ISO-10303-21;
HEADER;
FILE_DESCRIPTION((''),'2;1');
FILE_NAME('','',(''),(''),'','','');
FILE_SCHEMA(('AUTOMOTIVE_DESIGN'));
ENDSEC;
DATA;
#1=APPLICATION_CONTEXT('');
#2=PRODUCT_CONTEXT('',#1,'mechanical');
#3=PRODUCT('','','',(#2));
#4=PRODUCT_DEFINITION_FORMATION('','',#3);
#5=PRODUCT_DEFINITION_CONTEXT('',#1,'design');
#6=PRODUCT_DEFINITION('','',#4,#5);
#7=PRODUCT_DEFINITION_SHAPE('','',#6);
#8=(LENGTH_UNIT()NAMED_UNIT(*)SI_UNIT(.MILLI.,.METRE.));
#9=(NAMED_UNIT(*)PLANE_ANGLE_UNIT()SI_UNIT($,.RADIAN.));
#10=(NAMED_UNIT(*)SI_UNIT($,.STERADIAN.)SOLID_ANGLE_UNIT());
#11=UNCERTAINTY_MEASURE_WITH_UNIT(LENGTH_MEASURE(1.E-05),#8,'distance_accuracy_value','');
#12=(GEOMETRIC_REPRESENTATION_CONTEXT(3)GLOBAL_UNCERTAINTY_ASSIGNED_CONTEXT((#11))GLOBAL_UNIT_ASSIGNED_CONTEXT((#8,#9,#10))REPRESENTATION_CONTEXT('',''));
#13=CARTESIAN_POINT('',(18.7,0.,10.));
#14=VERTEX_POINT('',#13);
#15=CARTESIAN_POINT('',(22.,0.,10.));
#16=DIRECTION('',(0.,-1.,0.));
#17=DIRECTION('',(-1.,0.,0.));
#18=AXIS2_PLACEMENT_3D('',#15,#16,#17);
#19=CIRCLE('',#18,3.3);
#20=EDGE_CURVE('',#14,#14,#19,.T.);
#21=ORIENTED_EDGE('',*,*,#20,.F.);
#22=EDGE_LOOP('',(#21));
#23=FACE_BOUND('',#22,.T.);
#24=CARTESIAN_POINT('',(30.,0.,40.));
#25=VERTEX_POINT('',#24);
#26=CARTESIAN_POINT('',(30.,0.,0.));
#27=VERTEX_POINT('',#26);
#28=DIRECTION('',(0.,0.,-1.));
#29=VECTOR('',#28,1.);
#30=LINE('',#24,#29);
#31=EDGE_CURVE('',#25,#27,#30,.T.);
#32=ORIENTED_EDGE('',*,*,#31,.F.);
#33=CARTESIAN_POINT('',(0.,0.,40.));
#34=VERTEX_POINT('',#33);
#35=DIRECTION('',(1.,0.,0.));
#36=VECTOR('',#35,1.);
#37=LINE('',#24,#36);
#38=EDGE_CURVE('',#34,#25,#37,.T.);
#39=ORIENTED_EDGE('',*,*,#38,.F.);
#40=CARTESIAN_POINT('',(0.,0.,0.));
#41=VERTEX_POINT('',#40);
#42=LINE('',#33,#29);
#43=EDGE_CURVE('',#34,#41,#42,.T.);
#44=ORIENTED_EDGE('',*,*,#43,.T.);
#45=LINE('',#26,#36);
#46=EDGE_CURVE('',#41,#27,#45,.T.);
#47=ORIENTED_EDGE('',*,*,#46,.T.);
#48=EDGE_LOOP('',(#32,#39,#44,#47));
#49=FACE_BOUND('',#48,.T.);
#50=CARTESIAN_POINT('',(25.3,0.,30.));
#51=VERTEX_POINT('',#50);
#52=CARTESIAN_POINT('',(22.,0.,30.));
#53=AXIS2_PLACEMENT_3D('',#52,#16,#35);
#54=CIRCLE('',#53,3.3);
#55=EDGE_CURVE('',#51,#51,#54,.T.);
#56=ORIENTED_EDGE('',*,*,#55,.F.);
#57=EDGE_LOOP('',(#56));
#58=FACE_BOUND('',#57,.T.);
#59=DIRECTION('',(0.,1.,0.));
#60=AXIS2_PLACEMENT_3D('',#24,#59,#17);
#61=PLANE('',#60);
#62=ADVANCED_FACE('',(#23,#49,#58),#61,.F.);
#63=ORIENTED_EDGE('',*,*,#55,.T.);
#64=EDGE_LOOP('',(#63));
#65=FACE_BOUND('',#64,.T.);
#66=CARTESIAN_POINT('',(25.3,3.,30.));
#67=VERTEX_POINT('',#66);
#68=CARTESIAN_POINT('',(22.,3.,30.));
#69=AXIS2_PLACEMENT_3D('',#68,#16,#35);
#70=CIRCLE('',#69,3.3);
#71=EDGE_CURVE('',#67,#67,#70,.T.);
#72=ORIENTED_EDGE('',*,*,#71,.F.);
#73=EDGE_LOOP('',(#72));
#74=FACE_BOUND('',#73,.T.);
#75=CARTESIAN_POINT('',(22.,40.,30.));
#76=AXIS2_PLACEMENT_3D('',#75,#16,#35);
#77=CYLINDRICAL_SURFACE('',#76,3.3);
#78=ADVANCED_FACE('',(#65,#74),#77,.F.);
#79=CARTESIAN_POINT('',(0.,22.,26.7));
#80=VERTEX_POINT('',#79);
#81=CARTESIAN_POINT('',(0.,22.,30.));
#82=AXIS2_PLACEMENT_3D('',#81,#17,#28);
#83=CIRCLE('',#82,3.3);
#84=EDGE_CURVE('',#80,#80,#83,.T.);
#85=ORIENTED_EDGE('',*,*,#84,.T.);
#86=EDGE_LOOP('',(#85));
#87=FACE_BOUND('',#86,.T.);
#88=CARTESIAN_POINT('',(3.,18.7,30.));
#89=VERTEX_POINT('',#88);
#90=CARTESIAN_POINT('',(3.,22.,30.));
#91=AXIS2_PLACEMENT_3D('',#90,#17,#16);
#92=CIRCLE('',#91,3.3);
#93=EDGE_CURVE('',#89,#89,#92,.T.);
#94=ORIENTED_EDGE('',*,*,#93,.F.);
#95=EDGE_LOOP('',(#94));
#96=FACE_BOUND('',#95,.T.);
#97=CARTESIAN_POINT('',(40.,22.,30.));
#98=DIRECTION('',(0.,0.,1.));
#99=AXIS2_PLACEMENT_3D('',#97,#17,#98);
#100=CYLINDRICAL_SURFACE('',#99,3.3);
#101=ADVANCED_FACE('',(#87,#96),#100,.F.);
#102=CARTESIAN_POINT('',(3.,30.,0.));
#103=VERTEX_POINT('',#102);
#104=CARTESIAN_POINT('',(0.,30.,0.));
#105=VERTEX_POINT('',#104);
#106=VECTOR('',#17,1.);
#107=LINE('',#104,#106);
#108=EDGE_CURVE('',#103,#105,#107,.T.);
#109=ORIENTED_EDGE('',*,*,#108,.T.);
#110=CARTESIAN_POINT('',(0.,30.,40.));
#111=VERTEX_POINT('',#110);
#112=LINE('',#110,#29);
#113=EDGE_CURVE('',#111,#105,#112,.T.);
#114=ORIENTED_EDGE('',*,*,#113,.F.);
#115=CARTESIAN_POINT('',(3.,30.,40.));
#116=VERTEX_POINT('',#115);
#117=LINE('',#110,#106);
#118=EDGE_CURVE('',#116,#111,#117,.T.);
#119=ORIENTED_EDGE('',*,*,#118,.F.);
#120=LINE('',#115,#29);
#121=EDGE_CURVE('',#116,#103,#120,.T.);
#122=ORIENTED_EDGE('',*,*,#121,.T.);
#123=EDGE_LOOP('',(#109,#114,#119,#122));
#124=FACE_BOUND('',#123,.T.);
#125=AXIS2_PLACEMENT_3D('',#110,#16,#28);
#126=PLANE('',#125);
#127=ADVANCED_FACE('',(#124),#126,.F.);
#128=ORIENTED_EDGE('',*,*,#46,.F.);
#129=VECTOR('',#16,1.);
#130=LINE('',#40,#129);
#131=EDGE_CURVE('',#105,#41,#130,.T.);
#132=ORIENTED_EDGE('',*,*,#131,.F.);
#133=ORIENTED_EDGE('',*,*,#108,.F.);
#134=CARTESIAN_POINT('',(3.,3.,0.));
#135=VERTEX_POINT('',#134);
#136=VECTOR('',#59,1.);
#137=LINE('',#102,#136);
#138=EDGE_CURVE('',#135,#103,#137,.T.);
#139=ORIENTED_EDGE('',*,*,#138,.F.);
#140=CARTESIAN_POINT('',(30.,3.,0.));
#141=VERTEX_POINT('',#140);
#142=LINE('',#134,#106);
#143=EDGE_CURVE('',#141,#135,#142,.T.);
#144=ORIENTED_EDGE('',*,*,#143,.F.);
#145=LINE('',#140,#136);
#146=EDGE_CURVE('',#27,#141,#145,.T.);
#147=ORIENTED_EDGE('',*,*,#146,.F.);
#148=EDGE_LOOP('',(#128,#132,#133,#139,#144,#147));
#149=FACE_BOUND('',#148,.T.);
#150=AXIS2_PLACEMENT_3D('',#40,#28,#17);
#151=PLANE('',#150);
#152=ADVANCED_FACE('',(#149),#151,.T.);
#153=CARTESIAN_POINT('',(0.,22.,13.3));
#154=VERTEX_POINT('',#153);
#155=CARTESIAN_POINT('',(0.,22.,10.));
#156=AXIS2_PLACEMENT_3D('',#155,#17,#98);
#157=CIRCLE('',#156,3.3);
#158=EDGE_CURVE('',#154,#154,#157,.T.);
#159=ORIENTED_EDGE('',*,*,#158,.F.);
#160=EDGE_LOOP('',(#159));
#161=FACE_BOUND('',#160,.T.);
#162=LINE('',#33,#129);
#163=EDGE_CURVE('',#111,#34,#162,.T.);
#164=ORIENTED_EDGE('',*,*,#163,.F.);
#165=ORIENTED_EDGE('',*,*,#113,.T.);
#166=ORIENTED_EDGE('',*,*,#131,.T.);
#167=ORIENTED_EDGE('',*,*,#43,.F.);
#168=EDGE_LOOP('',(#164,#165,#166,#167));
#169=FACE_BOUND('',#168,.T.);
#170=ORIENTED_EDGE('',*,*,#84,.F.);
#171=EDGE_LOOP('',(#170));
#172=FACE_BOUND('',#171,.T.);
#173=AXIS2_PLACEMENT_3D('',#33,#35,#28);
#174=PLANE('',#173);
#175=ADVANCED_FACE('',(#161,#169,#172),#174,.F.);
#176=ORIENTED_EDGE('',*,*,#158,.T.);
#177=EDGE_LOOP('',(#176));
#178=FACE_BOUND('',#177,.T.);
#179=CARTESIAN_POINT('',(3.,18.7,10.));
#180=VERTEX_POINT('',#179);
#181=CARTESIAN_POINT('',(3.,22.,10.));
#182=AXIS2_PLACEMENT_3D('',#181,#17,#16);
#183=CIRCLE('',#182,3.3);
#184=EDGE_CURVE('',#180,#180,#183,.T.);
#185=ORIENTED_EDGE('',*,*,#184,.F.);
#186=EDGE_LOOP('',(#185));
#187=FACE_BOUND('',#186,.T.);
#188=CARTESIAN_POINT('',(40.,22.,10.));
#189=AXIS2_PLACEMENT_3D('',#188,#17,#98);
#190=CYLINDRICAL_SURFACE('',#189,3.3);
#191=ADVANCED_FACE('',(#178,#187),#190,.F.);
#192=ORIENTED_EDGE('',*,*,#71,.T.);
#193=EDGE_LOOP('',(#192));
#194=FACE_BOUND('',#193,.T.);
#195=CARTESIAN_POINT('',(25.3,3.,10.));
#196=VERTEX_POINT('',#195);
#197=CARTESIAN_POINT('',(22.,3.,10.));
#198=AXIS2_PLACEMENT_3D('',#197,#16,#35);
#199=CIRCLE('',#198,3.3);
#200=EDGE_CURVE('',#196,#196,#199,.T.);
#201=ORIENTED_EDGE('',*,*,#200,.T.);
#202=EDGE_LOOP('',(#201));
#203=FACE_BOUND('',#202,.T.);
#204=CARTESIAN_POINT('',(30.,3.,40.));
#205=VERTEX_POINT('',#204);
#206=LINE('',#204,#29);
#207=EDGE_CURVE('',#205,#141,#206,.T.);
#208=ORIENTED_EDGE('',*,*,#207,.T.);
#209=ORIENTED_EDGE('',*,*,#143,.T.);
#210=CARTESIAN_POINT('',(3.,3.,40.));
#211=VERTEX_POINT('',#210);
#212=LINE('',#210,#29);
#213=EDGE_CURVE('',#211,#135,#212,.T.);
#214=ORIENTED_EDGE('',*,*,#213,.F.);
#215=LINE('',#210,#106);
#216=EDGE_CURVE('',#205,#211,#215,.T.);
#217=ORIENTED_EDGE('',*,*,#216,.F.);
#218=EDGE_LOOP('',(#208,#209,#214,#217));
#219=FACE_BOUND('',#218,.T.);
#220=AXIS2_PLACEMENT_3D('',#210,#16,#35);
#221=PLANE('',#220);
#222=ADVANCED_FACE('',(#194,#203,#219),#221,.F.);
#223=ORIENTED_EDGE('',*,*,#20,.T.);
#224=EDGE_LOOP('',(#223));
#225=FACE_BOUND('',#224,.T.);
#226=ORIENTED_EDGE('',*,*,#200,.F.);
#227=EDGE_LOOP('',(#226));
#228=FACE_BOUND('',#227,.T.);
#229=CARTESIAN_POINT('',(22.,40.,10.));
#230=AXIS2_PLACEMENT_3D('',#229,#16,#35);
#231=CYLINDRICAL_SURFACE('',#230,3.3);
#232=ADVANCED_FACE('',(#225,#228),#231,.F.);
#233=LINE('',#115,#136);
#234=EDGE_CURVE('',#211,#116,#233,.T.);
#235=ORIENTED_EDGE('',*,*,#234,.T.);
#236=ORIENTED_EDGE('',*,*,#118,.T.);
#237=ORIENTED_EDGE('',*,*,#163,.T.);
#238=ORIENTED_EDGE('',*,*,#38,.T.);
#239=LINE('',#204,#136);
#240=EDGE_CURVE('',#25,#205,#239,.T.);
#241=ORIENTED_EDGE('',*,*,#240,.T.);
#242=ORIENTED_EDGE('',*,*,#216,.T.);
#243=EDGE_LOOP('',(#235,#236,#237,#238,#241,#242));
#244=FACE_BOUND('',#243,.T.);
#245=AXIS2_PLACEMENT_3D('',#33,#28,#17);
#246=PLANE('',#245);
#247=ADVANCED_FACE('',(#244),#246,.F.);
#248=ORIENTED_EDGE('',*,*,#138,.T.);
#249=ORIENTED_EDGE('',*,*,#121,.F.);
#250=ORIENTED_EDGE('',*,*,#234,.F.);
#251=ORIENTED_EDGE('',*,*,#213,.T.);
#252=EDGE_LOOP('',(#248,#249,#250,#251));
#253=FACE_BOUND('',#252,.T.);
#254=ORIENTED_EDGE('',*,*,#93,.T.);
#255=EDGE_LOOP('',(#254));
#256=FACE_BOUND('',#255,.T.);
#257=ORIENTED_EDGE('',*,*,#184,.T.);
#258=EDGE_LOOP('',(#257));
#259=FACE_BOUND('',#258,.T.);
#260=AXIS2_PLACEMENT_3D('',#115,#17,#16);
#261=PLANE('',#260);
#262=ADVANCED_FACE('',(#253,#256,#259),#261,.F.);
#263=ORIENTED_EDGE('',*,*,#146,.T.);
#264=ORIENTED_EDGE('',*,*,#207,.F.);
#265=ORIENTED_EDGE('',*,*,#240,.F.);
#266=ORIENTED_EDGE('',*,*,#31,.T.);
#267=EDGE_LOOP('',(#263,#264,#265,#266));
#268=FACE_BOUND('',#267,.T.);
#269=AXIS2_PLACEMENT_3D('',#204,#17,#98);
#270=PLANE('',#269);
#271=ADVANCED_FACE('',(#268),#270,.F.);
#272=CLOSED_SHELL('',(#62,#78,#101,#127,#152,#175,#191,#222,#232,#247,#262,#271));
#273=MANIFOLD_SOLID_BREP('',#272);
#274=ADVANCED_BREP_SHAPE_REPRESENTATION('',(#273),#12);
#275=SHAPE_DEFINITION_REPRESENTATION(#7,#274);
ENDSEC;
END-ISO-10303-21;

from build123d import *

# Parameters (mm, degrees)
EXTRUDE_1_DEPTH     = 40
SKETCH_2_R          = 3.3
CUT_EXTRUDE_1_DEPTH = 40
SKETCH_3_R          = 3.3
CUT_EXTRUDE_2_DEPTH = 40


with BuildPart() as part:
    # 草图1 → 凸台-拉伸1 (new body)
    with BuildSketch(Plane.XY):
        Polygon((0, 0), (0, 30), (3, 30), (3, 3), (30, 3), (30, 0), align=None)
    extrude(amount=EXTRUDE_1_DEPTH)

    # 草图2 → 切除-拉伸1 (cut)
    with BuildSketch(Plane.ZY):
        with Locations((10, 22)):
            Circle(SKETCH_2_R)
        with Locations((30, 22)):
            Circle(SKETCH_2_R)
    extrude(amount=-CUT_EXTRUDE_1_DEPTH, mode=Mode.SUBTRACT)

    # 草图3 → 切除-拉伸2 (cut)
    with BuildSketch(Plane.XZ):
        with Locations((22, 30)):
            Circle(SKETCH_3_R)
        with Locations((22, 10)):
            Circle(SKETCH_3_R)
    extrude(amount=-CUT_EXTRUDE_2_DEPTH, mode=Mode.SUBTRACT)


solid = part.part
